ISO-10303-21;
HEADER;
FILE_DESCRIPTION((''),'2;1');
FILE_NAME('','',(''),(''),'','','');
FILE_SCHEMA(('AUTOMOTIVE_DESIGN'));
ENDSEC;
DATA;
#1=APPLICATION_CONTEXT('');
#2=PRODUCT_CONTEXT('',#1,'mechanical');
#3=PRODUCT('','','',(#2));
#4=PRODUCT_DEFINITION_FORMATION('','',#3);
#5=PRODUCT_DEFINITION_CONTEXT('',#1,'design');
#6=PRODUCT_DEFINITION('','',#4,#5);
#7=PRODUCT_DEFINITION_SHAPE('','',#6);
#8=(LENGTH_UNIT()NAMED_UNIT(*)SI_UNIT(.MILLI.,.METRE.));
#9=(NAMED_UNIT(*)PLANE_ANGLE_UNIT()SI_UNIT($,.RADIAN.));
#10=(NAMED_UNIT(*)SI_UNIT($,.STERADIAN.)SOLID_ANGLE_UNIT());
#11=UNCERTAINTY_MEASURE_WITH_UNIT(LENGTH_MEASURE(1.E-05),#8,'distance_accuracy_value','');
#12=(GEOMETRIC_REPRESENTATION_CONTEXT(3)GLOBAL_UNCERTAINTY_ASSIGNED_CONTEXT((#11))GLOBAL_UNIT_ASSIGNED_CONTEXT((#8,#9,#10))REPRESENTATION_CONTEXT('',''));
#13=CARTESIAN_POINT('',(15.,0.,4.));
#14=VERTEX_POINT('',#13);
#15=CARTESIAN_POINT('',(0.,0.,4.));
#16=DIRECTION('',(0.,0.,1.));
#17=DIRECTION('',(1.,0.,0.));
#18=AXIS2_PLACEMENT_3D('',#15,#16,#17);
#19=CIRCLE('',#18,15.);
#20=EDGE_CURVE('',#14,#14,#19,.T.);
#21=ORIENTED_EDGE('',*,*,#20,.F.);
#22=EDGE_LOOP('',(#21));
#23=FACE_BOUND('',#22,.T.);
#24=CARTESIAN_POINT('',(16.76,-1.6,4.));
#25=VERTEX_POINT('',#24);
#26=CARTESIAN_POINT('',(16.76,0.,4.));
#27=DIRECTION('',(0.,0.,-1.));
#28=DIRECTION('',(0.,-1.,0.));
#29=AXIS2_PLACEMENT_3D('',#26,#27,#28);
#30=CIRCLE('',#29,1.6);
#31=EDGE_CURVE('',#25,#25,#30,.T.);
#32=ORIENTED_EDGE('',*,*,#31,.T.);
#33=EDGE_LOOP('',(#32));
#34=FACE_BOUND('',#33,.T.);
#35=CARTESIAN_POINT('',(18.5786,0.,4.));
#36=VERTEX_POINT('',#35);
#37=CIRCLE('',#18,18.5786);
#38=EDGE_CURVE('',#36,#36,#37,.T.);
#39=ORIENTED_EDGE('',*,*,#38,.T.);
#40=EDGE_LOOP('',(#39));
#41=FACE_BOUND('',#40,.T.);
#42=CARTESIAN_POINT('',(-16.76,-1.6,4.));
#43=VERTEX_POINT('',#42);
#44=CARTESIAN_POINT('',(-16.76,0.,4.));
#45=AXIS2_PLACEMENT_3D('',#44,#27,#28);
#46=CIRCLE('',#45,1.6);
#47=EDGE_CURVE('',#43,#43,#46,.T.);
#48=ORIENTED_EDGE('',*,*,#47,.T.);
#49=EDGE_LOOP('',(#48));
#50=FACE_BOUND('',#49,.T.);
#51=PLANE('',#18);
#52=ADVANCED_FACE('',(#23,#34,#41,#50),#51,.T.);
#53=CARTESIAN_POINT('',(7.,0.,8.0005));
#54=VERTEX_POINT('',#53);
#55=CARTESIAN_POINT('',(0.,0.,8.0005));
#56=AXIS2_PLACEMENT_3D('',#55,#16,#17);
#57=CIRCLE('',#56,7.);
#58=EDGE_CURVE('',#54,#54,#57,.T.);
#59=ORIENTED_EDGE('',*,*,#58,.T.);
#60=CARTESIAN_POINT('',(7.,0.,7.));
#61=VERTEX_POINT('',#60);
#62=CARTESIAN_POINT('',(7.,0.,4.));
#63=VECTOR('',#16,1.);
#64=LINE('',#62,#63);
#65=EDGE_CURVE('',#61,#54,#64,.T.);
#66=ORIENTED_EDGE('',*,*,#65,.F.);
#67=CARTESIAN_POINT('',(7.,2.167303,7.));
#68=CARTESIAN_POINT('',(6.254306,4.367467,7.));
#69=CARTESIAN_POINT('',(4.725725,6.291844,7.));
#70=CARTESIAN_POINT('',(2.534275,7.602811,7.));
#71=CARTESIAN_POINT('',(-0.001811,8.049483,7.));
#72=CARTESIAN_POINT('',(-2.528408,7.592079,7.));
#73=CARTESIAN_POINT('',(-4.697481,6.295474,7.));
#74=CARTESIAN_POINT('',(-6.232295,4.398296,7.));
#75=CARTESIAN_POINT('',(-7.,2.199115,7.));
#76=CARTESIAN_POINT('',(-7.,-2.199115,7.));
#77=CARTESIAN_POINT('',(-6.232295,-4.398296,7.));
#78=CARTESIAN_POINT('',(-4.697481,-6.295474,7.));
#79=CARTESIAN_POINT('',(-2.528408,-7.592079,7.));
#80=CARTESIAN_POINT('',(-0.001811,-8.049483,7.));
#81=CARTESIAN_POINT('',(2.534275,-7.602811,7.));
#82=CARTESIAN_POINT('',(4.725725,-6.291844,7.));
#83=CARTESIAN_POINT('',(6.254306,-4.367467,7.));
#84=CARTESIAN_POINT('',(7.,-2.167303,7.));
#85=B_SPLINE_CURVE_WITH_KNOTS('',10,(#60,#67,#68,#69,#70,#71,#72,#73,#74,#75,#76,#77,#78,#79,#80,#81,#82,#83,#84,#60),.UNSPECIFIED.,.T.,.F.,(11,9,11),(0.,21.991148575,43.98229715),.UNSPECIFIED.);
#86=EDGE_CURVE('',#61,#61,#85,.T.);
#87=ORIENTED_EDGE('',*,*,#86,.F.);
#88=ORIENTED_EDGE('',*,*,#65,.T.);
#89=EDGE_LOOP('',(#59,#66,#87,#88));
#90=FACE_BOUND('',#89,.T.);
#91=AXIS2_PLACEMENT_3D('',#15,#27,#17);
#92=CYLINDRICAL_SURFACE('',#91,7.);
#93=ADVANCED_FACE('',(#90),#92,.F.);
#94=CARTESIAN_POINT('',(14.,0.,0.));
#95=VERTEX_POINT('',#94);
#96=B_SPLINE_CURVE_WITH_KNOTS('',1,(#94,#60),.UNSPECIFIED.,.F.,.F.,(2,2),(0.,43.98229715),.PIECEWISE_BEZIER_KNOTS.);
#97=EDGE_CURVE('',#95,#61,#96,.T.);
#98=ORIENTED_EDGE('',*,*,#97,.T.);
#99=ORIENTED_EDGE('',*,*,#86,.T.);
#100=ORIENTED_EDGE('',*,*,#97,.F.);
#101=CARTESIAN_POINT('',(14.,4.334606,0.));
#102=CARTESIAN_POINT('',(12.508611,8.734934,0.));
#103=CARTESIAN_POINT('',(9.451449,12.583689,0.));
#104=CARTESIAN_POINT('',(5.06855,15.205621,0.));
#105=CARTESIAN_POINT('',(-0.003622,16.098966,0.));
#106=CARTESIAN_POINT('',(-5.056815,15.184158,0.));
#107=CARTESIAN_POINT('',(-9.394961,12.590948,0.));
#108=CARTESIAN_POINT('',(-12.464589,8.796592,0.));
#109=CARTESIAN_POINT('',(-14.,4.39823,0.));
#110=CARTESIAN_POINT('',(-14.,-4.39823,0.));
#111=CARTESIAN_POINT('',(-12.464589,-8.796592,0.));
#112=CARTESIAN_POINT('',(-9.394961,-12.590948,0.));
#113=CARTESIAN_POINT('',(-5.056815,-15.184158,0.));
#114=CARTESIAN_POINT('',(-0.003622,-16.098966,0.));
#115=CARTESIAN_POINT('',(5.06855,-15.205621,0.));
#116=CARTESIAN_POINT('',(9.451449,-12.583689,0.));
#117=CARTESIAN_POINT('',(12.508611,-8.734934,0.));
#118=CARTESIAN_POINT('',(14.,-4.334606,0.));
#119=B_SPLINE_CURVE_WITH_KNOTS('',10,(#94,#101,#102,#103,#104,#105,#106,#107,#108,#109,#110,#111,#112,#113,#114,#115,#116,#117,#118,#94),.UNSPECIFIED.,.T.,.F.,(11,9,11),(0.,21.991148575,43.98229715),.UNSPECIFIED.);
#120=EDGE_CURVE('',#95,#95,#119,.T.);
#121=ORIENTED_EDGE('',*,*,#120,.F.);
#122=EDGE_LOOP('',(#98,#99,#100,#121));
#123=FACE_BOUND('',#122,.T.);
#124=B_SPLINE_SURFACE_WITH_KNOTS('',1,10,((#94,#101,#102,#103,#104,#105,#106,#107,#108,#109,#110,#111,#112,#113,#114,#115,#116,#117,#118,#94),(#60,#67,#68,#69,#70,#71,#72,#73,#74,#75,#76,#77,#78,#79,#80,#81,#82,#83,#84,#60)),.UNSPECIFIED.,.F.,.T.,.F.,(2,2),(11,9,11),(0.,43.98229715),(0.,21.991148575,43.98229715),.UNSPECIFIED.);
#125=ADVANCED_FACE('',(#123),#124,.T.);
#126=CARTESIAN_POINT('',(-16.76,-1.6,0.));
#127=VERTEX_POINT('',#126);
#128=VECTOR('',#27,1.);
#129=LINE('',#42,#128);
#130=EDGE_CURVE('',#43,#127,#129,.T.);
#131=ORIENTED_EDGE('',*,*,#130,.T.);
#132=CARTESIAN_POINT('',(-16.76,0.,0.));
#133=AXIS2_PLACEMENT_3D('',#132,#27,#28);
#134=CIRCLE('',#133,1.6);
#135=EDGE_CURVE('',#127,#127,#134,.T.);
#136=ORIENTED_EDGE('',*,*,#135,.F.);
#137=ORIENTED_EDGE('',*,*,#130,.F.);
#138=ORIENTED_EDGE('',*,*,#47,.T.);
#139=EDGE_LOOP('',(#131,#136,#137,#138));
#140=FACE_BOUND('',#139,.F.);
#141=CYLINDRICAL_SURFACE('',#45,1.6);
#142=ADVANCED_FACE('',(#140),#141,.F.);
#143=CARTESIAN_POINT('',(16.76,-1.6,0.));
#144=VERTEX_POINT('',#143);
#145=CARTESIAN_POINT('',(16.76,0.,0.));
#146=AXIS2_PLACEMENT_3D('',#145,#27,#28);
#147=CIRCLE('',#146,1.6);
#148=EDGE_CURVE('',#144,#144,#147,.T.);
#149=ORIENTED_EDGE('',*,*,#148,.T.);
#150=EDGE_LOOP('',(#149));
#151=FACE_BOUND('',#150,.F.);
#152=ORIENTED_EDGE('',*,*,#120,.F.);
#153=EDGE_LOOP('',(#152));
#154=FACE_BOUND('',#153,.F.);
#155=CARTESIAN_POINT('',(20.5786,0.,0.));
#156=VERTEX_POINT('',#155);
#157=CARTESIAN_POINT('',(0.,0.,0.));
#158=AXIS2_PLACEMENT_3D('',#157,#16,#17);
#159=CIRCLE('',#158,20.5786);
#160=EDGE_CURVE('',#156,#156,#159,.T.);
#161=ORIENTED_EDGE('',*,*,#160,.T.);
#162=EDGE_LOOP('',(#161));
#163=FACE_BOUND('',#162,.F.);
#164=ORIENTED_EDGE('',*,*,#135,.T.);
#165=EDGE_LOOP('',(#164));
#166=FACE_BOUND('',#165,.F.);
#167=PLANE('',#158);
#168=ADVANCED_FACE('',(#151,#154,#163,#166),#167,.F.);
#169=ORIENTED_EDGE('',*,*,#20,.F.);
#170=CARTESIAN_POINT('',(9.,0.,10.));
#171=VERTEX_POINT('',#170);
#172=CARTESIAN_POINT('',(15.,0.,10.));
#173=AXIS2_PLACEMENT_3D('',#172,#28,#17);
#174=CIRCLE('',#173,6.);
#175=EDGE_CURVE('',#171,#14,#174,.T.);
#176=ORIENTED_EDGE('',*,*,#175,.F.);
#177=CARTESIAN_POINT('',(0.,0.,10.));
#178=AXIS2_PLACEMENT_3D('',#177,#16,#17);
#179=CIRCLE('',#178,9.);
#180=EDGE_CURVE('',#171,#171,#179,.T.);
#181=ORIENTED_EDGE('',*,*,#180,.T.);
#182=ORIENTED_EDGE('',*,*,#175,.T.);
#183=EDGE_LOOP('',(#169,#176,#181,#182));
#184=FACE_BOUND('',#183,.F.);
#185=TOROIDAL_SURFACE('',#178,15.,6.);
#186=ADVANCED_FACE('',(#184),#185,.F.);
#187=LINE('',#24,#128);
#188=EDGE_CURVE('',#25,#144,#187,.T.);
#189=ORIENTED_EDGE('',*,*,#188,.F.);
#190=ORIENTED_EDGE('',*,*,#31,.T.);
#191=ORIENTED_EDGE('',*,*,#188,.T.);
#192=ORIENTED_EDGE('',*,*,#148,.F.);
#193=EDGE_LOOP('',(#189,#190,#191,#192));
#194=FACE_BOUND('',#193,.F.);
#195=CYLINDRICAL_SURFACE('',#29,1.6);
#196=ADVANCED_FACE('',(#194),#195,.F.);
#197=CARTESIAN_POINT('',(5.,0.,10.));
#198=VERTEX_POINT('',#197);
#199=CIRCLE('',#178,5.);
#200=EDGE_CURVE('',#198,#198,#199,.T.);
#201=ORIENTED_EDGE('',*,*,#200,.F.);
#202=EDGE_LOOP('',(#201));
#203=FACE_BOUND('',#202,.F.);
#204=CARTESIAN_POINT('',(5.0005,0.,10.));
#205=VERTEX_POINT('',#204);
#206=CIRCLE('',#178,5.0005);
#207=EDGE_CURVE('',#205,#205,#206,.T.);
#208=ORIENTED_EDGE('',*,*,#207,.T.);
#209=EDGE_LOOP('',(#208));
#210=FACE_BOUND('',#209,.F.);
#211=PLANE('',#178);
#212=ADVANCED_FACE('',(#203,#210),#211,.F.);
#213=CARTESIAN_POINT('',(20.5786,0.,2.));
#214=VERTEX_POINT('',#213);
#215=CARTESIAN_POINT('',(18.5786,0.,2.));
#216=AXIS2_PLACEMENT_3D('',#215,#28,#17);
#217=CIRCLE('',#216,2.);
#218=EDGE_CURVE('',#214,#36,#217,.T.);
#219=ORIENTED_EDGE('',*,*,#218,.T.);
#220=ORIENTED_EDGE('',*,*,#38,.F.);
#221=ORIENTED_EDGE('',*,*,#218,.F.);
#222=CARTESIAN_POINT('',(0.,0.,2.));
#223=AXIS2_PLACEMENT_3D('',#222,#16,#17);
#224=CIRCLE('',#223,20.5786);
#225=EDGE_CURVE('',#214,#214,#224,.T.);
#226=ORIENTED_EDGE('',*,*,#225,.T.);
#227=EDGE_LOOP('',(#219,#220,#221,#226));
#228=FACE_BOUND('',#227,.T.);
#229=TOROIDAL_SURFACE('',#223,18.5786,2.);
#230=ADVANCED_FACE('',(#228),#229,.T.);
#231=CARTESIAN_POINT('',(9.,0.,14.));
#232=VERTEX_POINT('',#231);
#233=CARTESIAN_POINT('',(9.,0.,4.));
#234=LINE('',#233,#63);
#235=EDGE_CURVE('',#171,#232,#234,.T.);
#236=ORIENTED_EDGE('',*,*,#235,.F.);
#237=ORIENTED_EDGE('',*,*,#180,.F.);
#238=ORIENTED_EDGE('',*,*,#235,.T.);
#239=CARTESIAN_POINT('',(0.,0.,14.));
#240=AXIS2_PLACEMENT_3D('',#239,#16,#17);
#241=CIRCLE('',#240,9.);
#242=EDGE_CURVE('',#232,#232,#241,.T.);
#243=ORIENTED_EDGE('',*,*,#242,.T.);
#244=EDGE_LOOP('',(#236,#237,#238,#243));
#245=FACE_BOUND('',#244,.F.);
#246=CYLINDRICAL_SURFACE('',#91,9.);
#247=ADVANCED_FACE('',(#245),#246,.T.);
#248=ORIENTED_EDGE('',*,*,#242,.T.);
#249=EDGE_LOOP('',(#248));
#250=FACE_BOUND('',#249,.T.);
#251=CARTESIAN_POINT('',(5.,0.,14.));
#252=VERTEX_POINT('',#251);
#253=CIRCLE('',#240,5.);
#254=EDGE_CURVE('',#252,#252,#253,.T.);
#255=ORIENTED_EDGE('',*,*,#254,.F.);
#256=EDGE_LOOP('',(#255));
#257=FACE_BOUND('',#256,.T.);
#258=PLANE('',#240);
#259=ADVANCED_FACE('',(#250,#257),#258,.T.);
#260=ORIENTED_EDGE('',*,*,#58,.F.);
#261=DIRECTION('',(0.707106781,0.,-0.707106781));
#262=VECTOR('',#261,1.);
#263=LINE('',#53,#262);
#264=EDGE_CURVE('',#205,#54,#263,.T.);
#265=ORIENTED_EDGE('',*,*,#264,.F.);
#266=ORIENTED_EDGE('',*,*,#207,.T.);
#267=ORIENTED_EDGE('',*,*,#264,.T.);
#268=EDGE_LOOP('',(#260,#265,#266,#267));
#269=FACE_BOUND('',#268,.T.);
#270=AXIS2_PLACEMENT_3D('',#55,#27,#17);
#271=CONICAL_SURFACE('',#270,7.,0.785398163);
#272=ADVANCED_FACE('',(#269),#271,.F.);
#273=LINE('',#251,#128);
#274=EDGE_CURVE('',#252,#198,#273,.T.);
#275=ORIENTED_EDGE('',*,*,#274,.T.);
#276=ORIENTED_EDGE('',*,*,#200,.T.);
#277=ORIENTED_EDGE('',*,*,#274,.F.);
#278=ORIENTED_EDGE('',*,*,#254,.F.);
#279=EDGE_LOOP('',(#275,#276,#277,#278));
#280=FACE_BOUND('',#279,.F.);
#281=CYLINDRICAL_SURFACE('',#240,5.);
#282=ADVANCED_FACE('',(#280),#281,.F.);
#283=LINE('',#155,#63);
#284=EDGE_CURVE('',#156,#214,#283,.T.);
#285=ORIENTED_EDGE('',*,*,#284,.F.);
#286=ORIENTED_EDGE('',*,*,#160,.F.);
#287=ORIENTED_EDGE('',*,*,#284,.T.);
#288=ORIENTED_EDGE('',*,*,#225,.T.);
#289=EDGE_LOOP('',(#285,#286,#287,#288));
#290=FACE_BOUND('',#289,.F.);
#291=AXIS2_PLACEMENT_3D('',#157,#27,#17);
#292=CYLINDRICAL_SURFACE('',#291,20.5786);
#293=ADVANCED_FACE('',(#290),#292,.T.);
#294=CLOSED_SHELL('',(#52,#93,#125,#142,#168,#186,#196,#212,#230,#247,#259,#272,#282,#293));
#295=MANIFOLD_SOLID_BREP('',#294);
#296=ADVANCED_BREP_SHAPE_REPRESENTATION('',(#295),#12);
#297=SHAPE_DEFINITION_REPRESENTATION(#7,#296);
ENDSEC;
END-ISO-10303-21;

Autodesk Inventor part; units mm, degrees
ref_plane "YZ Plane" through (0, 0, 0) normal (1, 0, 0) x (0, 1, 0)
ref_plane "XZ Plane" through (0, 0, 0) normal (0, 1, 0) x (-1, 0, 0)
ref_plane "XY Plane" through (0, 0, 0) normal (0, 0, 1) x (1, 0, 0)
sketch "Skizze1" plane through (0, 0, 0) normal (0, 0, 1) x (1, 0, 0)
  circle A0 centre (16.76, 0) radius 1.25 projected
  circle A1 centre (-16.76, 0) radius 1.25 projected
  line L0 (-6.25, 16) -> (-11.9414, 16) projected
  line L1 (-2.25, 20) -> (-6.25, 16) projected
  line L2 (2.25, 20) -> (-2.25, 20) projected
  line L3 (6.25, 16) -> (2.25, 20) projected
  line L4 (11.9414, 16) -> (6.25, 16) projected
  line L5 (11.9414, 16) -> (12.9414, 15) projected
  line L6 (12.9414, -15) -> (12.9414, 15) projected
  line L7 (11.9414, -16) -> (12.9414, -15) projected
  line L8 (-11.9414, -16) -> (11.9414, -16) projected
  line L9 (-11.9414, -16) -> (-12.9414, -15) projected
  line L10 (-12.9414, 15) -> (-12.9414, -15) projected
  line L11 (-12.9414, 15) -> (-11.9414, 16) projected
  circle A2 centre (0, 0) radius 20.5786 projected
  point P0 (0, 0)
extrude "Extrusion1" add sketch "Skizze1" along normal blind 4 contours L1 L2 L3 L4 L5 L6 L7 L8 L9 L10 L11 L0 | A2
sketch "Skizze2" plane through (0, 0, 4) normal (0, 0, 1) x (1, 0, 0)
  point P0 (0, 0)
sketch "Skizze3" plane through (0, 0, 4) normal (0, 0, 1) x (1, 0, 0)
  line L0 (-12.1, -11.9394) -> (-9.9, -11.9394)
  line L1 (-9.9, -11.9394) -> (-9.9, 11.9394)
  line L2 (-9.9, 11.9394) -> (-12.1, 11.9394)
  line L3 (-12.1, 11.9394) -> (-12.1, -11.9394)
  line L4 (-7.7, 14.502) -> (-5.5, 14.502)
  line L5 (-5.5, 14.502) -> (-5.5, -14.502)
  line L6 (-5.5, -14.502) -> (-7.7, -14.502)
  line L7 (-7.7, -14.502) -> (-7.7, 14.502)
  line L8 (-3.3, 15.4709) -> (-1.1, 15.4709)
  line L9 (-1.1, 15.4709) -> (-1.1, -15.4709)
  line L10 (-1.1, -15.4709) -> (-3.3, -15.4709)
  line L11 (-3.3, -15.4709) -> (-3.3, 15.4709)
  circle A0 centre (-16.76, 0) radius 1.25 projected
  circle A1 centre (16.76, 0) radius 1.25 projected
  circle A2 centre (0, 0) radius 20.5786 projected
  line L12 (-16.76, 0) -> (0, 0) construction
  circle A3 centre (0, 0) radius 15.51 construction
  line L13 (0, 0) -> (0, 15.51)
  point P0 (0, 0)
  dimension "d2" = 2.2
  dimension "d3" = 2.2
  dimension "d4" = 2.2
  dimension "d5" = 2.2
  dimension "d6" = 2.2
  dimension "d7" = 1.1
ref_plane "Arbeitsebene1" through (0, 0, 4) normal (1, 0, 0) x (0, 1, 0)
extrude "Extrusion2" cut sketch "Skizze3" against normal through all contours L3 L2 L1 L0 | L4 L5 L6 L7 | L8 L9 L10 L11
mirror "Spiegeln1" about plane through (0, 0, 4) normal (1, 0, 0) of "Extrusion2"
sketch "Skizze4" plane through (0, 0, 4) normal (0, 0, 1) x (1, 0, 0)
  line L0 (5.5, -14.502) -> (5.5, 14.502) projected
  line L1 (5.5, 14.502) -> (7.7, 14.502) projected
  line L2 (7.7, 14.502) -> (7.7, -14.502) projected
  line L3 (7.7, -14.502) -> (5.5, -14.502) projected
  line L4 (1.1, -15.4709) -> (1.1, 15.4709) projected
  line L5 (1.1, 15.4709) -> (3.3, 15.4709) projected
  line L6 (3.3, 15.4709) -> (3.3, -15.4709) projected
  line L7 (3.3, -15.4709) -> (1.1, -15.4709) projected
  line L8 (9.9, 11.9394) -> (12.1, 11.9394) projected
  line L9 (12.1, 11.9394) -> (12.1, -11.9394) projected
  line L10 (12.1, -11.9394) -> (9.9, -11.9394) projected
  line L11 (9.9, -11.9394) -> (9.9, 11.9394) projected
  line L12 (-7.7, -14.502) -> (-7.7, 14.502) projected
  line L13 (-7.7, 14.502) -> (-5.5, 14.502) projected
  line L14 (-5.5, 14.502) -> (-5.5, -14.502) projected
  line L15 (-5.5, -14.502) -> (-7.7, -14.502) projected
  line L16 (-9.9, 11.9394) -> (-9.9, -11.9394) projected
  line L17 (-9.9, -11.9394) -> (-12.1, -11.9394) projected
  line L18 (-12.1, -11.9394) -> (-12.1, 11.9394) projected
  line L19 (-12.1, 11.9394) -> (-9.9, 11.9394) projected
  line L20 (-3.3, -15.4709) -> (-3.3, 15.4709) projected
  line L21 (-3.3, 15.4709) -> (-1.1, 15.4709) projected
  line L22 (-1.1, 15.4709) -> (-1.1, -15.4709) projected
  line L23 (-1.1, -15.4709) -> (-3.3, -15.4709) projected
  circle A0 centre (-16.76, 0) radius 1.25 projected
  circle A1 centre (16.76, 0) radius 1.25 projected
  circle A2 centre (0, 0) radius 20.5786 projected
  point P0 (0, 0)
hole "Bohrung1" at (-16.76, 0, 4) at (16.76, 0, 4) direction (0, 0, -1) diameter 3.2 end through all
sketch "Skizze5" plane through (0, 0, 4) normal (0, 0, 1) x (1, 0, 0)
  circle A0 centre (-16.76, 0) radius 1.6 projected
  circle A1 centre (16.76, 0) radius 1.6 projected
  line L0 (5.5, -14.502) -> (5.5, 14.502) projected
  line L1 (5.5, 14.502) -> (7.7, 14.502) projected
  line L2 (7.7, 14.502) -> (7.7, -14.502) projected
  line L3 (7.7, -14.502) -> (5.5, -14.502) projected
  line L4 (1.1, -15.4709) -> (1.1, 15.4709) projected
  line L5 (1.1, 15.4709) -> (3.3, 15.4709) projected
  line L6 (3.3, 15.4709) -> (3.3, -15.4709) projected
  line L7 (3.3, -15.4709) -> (1.1, -15.4709) projected
  line L8 (9.9, 11.9394) -> (12.1, 11.9394) projected
  line L9 (12.1, 11.9394) -> (12.1, -11.9394) projected
  line L10 (12.1, -11.9394) -> (9.9, -11.9394) projected
  line L11 (9.9, -11.9394) -> (9.9, 11.9394) projected
  line L12 (-7.7, -14.502) -> (-7.7, 14.502) projected
  line L13 (-7.7, 14.502) -> (-5.5, 14.502) projected
  line L14 (-5.5, 14.502) -> (-5.5, -14.502) projected
  line L15 (-5.5, -14.502) -> (-7.7, -14.502) projected
  line L16 (-9.9, 11.9394) -> (-9.9, -11.9394) projected
  line L17 (-9.9, -11.9394) -> (-12.1, -11.9394) projected
  line L18 (-12.1, -11.9394) -> (-12.1, 11.9394) projected
  line L19 (-12.1, 11.9394) -> (-9.9, 11.9394) projected
  line L20 (-3.3, -15.4709) -> (-3.3, 15.4709) projected
  line L21 (-3.3, 15.4709) -> (-1.1, 15.4709) projected
  line L22 (-1.1, 15.4709) -> (-1.1, -15.4709) projected
  line L23 (-1.1, -15.4709) -> (-3.3, -15.4709) projected
  circle A2 centre (0, 0) radius 20.5786 projected
  point P0 (0, 0)
extrude "Extrusion3" add sketch "Skizze5" against normal up to surface (4 mm away) contours L0 L1 L2 L3 | L4 L5 L6 L7 | L8 L9 L10 L11 | L12 L13 L14 L15 | L16 L17 L18 L19 | L20 L21 L22 L23
sketch "Skizze6" plane through (0, 0, 4) normal (0, 0, 1) x (1, 0, 0)
  circle A0 centre (0, 0) radius 9
  circle A1 centre (0, 0) radius 7
  dimension "d20" = 18
  dimension "d21" = 2
extrude "Extrusion4" add sketch "Skizze6" along normal blind 10
sketch "Skizze9" plane through (0, 0, 4) normal (0, 0, 1) x (1, 0, 0)
  circle A0 centre (0, 0) radius 7 projected
extrude "Extrusion6" cut sketch "Skizze9" against normal through all
sketch "Skizze10" plane through (0, 0, 14) normal (0, 0, 1) x (1, 0, 0)
  circle A0 centre (0, 0) radius 7 projected
  circle A1 centre (0, 0) radius 9 projected
  circle A2 centre (0, 0) radius 5
  dimension "d28" = 10
extrude "Extrusion7" add sketch "Skizze10" against normal blind 4 contours A0
chamfer "Fase1" distance 2 angle 45 1 edges at (-7, 0, 10)
fillet "Rundung1" radius 6 1 edges at (-9, 0, 4)
sketch "Skizze11" plane through (0, 0, 0) normal (0, 0, -1) x (-1, 0, 0)
  point P0 (0, 0)
chamfer "Fase2" distance 7 angle 45 1 edges at (-7, 0, 0)
fillet "Rundung2" radius 2 1 edges at (-20.5786, 0, 4)
sketch "Skizze7" plane through (0, 0, 14) normal (0, 0, 1) x (1, 0, 0)
  circle A0 centre (0, 0) radius 7 projected
equation "\"d3\" = d2"
equation "\"d4\" = d3"
equation "\"d5\" = d4"
equation "\"d6\" = d3"
equation "\"d7\" = 0.5 * d2"
properties part number "Wrist_Cover_2" material "ABS-Kunststoff"
